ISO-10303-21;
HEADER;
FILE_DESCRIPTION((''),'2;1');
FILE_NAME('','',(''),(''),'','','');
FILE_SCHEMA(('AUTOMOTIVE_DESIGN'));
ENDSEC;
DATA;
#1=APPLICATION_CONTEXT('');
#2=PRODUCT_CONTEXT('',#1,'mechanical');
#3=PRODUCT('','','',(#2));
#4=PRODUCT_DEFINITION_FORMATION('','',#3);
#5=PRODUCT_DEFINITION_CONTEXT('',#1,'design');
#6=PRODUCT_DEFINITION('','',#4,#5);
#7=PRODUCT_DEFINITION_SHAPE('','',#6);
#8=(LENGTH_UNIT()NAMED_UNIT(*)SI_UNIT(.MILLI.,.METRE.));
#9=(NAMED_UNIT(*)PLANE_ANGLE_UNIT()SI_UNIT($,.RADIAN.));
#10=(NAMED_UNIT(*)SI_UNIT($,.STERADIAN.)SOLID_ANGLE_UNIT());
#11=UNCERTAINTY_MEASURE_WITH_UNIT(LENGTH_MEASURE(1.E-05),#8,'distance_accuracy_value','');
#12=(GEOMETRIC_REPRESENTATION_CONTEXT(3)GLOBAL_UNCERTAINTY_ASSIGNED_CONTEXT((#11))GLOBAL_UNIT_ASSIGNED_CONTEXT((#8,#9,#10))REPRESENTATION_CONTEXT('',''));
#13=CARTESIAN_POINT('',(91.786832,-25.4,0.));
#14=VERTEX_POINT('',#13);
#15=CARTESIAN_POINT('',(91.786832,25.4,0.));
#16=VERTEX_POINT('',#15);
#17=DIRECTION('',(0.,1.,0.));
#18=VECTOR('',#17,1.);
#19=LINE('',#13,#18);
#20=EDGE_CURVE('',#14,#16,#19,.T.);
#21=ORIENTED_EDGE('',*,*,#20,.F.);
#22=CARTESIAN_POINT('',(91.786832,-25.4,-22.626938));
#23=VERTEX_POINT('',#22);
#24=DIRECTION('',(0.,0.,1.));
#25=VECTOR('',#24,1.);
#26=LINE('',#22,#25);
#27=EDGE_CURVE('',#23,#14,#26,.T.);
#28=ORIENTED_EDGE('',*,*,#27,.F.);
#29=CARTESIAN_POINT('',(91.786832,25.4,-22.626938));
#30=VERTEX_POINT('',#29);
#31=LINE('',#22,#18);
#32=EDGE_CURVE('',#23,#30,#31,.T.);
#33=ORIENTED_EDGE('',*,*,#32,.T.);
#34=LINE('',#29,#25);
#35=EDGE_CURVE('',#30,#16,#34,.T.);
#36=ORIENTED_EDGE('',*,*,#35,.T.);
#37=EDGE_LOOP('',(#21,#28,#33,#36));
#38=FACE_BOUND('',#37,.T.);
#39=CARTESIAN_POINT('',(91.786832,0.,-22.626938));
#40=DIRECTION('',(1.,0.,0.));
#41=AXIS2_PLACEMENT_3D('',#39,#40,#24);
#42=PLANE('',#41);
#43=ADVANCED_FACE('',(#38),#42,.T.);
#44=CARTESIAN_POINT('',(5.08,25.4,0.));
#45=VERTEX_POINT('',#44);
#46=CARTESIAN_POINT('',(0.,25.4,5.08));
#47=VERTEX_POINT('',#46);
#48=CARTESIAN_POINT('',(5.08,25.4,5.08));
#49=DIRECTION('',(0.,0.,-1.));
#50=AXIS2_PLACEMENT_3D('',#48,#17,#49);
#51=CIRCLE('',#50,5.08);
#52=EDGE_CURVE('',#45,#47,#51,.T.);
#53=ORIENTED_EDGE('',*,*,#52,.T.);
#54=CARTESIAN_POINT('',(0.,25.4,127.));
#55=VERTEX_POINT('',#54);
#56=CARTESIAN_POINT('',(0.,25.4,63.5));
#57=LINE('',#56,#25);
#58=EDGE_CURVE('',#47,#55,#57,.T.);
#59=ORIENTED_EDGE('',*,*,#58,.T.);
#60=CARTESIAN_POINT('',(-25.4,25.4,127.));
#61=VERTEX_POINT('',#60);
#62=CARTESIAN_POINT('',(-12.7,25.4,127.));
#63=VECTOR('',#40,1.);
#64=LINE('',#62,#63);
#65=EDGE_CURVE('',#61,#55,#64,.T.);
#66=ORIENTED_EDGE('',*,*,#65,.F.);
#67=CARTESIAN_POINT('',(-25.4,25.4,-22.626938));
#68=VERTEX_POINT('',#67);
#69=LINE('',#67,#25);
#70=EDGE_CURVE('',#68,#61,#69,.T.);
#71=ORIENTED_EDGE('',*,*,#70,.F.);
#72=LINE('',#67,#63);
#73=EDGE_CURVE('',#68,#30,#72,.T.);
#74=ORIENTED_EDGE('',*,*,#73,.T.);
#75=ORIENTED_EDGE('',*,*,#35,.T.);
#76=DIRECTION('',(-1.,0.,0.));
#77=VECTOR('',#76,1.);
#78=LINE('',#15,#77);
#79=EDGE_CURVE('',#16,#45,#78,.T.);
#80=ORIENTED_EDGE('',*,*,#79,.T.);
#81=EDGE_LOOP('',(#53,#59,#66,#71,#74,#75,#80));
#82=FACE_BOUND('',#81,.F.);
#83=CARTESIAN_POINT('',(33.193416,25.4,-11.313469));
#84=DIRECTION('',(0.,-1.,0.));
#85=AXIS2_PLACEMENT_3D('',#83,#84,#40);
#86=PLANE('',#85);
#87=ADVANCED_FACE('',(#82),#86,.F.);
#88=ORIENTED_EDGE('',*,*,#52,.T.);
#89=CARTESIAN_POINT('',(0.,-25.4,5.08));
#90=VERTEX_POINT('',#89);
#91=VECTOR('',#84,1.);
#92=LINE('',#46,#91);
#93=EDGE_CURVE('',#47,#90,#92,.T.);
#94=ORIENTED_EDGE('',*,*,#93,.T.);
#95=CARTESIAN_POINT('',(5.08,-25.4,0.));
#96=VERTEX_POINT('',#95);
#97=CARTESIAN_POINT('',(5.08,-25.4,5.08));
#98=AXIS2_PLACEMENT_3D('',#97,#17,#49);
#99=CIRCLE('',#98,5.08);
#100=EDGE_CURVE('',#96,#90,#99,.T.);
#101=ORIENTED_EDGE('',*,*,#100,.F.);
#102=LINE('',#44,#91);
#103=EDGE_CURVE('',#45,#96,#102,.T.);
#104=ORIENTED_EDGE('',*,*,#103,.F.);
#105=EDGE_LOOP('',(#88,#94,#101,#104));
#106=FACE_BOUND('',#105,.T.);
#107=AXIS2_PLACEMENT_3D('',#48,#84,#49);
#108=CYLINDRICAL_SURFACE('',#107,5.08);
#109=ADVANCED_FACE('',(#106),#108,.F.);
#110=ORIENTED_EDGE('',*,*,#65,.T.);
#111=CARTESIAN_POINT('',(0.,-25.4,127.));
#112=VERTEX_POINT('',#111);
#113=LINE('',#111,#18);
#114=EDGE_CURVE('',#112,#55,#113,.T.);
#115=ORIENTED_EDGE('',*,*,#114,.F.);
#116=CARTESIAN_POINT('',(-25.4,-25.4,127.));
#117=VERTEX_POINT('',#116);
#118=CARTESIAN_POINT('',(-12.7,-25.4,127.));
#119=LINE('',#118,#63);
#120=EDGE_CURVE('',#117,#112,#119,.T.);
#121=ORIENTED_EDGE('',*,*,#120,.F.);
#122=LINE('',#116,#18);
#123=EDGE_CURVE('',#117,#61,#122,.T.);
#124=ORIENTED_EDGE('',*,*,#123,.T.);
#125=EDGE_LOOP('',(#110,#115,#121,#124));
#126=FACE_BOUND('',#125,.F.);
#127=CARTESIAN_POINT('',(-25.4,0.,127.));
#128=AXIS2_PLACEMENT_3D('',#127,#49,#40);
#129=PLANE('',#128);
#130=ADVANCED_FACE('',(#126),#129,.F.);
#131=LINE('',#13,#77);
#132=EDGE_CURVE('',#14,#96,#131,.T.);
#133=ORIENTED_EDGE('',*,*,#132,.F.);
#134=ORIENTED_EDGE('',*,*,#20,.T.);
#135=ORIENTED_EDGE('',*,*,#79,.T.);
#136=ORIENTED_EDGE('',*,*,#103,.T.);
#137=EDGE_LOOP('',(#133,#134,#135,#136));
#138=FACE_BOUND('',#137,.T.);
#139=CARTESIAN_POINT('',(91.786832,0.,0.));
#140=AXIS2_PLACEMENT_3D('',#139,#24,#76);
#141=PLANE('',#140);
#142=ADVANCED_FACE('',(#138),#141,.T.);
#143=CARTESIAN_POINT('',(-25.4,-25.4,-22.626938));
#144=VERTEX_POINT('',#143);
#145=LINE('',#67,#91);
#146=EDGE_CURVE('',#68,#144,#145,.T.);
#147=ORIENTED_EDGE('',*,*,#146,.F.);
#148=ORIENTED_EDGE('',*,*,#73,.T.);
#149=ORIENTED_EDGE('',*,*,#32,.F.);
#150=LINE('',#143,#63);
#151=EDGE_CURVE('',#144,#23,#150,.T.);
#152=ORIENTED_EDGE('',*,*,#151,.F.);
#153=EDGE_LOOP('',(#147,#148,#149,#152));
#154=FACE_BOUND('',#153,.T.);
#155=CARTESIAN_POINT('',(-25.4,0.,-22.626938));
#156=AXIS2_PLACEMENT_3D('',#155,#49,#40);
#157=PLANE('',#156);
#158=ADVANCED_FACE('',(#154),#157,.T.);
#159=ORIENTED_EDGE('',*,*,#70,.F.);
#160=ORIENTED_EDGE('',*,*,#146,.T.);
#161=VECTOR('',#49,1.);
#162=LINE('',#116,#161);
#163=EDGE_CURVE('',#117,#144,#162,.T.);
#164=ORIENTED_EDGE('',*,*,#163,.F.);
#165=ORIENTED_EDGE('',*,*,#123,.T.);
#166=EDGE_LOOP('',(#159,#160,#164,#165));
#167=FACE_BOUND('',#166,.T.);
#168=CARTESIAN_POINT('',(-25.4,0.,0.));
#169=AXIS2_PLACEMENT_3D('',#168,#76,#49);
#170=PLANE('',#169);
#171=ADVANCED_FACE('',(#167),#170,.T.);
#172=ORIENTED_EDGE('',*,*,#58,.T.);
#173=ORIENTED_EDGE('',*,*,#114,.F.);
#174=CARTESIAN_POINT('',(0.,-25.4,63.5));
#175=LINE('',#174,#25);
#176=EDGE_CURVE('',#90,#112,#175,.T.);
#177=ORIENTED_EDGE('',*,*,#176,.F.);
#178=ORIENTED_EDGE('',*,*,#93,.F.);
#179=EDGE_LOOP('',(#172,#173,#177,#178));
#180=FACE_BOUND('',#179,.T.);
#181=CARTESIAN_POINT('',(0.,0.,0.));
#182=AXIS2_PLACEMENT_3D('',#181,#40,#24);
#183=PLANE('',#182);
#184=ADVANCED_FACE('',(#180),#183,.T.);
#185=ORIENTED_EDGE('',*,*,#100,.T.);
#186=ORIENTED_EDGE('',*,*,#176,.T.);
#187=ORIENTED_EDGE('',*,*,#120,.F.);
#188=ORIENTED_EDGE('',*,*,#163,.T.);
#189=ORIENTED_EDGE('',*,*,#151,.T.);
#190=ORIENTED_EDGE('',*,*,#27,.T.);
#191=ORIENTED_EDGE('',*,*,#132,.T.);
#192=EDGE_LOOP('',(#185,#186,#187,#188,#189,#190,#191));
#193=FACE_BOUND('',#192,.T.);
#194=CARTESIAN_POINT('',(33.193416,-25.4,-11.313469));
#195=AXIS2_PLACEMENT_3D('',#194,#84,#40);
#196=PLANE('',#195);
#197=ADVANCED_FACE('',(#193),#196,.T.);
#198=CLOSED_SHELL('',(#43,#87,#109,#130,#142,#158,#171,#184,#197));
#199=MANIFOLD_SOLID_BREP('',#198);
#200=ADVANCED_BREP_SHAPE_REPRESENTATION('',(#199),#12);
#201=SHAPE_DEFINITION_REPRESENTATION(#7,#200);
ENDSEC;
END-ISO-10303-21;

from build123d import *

# Parameters (mm, degrees)
F0_W          = 25.4
F0_H          = 127
F1_DEPTH      = 25.4
F2_DEPTH      = 25.4
F2_DEPTH_BACK = 25.4
F3_R          = 5.08


with BuildPart() as f1:
    # F0 (on Front) → F1 (new body, symmetric)
    with BuildSketch(Plane.XZ):
        with Locations((-12.7, 63.5)):
            Rectangle(F0_W, F0_H)
    extrude(amount=F1_DEPTH, both=True)

    # F0 (on Front) → F2 (join, two sides)
    with BuildSketch(Plane.XZ) as f2_sk:
        Polygon((91.7868316174, 0), (0, 0), (-25.4, 0), (-25.4, -22.6269382983), (91.7868316174, -22.6269382983), align=None)
    extrude(amount=F2_DEPTH)
    extrude(f2_sk.sketch, amount=-F2_DEPTH_BACK)

    # F3
    f3_edges = [f1.edges().sort_by_distance(p)[0] for p in [
        (0, 0, 0),
    ]]
    fillet(f3_edges, radius=F3_R)


solid = f1.part
